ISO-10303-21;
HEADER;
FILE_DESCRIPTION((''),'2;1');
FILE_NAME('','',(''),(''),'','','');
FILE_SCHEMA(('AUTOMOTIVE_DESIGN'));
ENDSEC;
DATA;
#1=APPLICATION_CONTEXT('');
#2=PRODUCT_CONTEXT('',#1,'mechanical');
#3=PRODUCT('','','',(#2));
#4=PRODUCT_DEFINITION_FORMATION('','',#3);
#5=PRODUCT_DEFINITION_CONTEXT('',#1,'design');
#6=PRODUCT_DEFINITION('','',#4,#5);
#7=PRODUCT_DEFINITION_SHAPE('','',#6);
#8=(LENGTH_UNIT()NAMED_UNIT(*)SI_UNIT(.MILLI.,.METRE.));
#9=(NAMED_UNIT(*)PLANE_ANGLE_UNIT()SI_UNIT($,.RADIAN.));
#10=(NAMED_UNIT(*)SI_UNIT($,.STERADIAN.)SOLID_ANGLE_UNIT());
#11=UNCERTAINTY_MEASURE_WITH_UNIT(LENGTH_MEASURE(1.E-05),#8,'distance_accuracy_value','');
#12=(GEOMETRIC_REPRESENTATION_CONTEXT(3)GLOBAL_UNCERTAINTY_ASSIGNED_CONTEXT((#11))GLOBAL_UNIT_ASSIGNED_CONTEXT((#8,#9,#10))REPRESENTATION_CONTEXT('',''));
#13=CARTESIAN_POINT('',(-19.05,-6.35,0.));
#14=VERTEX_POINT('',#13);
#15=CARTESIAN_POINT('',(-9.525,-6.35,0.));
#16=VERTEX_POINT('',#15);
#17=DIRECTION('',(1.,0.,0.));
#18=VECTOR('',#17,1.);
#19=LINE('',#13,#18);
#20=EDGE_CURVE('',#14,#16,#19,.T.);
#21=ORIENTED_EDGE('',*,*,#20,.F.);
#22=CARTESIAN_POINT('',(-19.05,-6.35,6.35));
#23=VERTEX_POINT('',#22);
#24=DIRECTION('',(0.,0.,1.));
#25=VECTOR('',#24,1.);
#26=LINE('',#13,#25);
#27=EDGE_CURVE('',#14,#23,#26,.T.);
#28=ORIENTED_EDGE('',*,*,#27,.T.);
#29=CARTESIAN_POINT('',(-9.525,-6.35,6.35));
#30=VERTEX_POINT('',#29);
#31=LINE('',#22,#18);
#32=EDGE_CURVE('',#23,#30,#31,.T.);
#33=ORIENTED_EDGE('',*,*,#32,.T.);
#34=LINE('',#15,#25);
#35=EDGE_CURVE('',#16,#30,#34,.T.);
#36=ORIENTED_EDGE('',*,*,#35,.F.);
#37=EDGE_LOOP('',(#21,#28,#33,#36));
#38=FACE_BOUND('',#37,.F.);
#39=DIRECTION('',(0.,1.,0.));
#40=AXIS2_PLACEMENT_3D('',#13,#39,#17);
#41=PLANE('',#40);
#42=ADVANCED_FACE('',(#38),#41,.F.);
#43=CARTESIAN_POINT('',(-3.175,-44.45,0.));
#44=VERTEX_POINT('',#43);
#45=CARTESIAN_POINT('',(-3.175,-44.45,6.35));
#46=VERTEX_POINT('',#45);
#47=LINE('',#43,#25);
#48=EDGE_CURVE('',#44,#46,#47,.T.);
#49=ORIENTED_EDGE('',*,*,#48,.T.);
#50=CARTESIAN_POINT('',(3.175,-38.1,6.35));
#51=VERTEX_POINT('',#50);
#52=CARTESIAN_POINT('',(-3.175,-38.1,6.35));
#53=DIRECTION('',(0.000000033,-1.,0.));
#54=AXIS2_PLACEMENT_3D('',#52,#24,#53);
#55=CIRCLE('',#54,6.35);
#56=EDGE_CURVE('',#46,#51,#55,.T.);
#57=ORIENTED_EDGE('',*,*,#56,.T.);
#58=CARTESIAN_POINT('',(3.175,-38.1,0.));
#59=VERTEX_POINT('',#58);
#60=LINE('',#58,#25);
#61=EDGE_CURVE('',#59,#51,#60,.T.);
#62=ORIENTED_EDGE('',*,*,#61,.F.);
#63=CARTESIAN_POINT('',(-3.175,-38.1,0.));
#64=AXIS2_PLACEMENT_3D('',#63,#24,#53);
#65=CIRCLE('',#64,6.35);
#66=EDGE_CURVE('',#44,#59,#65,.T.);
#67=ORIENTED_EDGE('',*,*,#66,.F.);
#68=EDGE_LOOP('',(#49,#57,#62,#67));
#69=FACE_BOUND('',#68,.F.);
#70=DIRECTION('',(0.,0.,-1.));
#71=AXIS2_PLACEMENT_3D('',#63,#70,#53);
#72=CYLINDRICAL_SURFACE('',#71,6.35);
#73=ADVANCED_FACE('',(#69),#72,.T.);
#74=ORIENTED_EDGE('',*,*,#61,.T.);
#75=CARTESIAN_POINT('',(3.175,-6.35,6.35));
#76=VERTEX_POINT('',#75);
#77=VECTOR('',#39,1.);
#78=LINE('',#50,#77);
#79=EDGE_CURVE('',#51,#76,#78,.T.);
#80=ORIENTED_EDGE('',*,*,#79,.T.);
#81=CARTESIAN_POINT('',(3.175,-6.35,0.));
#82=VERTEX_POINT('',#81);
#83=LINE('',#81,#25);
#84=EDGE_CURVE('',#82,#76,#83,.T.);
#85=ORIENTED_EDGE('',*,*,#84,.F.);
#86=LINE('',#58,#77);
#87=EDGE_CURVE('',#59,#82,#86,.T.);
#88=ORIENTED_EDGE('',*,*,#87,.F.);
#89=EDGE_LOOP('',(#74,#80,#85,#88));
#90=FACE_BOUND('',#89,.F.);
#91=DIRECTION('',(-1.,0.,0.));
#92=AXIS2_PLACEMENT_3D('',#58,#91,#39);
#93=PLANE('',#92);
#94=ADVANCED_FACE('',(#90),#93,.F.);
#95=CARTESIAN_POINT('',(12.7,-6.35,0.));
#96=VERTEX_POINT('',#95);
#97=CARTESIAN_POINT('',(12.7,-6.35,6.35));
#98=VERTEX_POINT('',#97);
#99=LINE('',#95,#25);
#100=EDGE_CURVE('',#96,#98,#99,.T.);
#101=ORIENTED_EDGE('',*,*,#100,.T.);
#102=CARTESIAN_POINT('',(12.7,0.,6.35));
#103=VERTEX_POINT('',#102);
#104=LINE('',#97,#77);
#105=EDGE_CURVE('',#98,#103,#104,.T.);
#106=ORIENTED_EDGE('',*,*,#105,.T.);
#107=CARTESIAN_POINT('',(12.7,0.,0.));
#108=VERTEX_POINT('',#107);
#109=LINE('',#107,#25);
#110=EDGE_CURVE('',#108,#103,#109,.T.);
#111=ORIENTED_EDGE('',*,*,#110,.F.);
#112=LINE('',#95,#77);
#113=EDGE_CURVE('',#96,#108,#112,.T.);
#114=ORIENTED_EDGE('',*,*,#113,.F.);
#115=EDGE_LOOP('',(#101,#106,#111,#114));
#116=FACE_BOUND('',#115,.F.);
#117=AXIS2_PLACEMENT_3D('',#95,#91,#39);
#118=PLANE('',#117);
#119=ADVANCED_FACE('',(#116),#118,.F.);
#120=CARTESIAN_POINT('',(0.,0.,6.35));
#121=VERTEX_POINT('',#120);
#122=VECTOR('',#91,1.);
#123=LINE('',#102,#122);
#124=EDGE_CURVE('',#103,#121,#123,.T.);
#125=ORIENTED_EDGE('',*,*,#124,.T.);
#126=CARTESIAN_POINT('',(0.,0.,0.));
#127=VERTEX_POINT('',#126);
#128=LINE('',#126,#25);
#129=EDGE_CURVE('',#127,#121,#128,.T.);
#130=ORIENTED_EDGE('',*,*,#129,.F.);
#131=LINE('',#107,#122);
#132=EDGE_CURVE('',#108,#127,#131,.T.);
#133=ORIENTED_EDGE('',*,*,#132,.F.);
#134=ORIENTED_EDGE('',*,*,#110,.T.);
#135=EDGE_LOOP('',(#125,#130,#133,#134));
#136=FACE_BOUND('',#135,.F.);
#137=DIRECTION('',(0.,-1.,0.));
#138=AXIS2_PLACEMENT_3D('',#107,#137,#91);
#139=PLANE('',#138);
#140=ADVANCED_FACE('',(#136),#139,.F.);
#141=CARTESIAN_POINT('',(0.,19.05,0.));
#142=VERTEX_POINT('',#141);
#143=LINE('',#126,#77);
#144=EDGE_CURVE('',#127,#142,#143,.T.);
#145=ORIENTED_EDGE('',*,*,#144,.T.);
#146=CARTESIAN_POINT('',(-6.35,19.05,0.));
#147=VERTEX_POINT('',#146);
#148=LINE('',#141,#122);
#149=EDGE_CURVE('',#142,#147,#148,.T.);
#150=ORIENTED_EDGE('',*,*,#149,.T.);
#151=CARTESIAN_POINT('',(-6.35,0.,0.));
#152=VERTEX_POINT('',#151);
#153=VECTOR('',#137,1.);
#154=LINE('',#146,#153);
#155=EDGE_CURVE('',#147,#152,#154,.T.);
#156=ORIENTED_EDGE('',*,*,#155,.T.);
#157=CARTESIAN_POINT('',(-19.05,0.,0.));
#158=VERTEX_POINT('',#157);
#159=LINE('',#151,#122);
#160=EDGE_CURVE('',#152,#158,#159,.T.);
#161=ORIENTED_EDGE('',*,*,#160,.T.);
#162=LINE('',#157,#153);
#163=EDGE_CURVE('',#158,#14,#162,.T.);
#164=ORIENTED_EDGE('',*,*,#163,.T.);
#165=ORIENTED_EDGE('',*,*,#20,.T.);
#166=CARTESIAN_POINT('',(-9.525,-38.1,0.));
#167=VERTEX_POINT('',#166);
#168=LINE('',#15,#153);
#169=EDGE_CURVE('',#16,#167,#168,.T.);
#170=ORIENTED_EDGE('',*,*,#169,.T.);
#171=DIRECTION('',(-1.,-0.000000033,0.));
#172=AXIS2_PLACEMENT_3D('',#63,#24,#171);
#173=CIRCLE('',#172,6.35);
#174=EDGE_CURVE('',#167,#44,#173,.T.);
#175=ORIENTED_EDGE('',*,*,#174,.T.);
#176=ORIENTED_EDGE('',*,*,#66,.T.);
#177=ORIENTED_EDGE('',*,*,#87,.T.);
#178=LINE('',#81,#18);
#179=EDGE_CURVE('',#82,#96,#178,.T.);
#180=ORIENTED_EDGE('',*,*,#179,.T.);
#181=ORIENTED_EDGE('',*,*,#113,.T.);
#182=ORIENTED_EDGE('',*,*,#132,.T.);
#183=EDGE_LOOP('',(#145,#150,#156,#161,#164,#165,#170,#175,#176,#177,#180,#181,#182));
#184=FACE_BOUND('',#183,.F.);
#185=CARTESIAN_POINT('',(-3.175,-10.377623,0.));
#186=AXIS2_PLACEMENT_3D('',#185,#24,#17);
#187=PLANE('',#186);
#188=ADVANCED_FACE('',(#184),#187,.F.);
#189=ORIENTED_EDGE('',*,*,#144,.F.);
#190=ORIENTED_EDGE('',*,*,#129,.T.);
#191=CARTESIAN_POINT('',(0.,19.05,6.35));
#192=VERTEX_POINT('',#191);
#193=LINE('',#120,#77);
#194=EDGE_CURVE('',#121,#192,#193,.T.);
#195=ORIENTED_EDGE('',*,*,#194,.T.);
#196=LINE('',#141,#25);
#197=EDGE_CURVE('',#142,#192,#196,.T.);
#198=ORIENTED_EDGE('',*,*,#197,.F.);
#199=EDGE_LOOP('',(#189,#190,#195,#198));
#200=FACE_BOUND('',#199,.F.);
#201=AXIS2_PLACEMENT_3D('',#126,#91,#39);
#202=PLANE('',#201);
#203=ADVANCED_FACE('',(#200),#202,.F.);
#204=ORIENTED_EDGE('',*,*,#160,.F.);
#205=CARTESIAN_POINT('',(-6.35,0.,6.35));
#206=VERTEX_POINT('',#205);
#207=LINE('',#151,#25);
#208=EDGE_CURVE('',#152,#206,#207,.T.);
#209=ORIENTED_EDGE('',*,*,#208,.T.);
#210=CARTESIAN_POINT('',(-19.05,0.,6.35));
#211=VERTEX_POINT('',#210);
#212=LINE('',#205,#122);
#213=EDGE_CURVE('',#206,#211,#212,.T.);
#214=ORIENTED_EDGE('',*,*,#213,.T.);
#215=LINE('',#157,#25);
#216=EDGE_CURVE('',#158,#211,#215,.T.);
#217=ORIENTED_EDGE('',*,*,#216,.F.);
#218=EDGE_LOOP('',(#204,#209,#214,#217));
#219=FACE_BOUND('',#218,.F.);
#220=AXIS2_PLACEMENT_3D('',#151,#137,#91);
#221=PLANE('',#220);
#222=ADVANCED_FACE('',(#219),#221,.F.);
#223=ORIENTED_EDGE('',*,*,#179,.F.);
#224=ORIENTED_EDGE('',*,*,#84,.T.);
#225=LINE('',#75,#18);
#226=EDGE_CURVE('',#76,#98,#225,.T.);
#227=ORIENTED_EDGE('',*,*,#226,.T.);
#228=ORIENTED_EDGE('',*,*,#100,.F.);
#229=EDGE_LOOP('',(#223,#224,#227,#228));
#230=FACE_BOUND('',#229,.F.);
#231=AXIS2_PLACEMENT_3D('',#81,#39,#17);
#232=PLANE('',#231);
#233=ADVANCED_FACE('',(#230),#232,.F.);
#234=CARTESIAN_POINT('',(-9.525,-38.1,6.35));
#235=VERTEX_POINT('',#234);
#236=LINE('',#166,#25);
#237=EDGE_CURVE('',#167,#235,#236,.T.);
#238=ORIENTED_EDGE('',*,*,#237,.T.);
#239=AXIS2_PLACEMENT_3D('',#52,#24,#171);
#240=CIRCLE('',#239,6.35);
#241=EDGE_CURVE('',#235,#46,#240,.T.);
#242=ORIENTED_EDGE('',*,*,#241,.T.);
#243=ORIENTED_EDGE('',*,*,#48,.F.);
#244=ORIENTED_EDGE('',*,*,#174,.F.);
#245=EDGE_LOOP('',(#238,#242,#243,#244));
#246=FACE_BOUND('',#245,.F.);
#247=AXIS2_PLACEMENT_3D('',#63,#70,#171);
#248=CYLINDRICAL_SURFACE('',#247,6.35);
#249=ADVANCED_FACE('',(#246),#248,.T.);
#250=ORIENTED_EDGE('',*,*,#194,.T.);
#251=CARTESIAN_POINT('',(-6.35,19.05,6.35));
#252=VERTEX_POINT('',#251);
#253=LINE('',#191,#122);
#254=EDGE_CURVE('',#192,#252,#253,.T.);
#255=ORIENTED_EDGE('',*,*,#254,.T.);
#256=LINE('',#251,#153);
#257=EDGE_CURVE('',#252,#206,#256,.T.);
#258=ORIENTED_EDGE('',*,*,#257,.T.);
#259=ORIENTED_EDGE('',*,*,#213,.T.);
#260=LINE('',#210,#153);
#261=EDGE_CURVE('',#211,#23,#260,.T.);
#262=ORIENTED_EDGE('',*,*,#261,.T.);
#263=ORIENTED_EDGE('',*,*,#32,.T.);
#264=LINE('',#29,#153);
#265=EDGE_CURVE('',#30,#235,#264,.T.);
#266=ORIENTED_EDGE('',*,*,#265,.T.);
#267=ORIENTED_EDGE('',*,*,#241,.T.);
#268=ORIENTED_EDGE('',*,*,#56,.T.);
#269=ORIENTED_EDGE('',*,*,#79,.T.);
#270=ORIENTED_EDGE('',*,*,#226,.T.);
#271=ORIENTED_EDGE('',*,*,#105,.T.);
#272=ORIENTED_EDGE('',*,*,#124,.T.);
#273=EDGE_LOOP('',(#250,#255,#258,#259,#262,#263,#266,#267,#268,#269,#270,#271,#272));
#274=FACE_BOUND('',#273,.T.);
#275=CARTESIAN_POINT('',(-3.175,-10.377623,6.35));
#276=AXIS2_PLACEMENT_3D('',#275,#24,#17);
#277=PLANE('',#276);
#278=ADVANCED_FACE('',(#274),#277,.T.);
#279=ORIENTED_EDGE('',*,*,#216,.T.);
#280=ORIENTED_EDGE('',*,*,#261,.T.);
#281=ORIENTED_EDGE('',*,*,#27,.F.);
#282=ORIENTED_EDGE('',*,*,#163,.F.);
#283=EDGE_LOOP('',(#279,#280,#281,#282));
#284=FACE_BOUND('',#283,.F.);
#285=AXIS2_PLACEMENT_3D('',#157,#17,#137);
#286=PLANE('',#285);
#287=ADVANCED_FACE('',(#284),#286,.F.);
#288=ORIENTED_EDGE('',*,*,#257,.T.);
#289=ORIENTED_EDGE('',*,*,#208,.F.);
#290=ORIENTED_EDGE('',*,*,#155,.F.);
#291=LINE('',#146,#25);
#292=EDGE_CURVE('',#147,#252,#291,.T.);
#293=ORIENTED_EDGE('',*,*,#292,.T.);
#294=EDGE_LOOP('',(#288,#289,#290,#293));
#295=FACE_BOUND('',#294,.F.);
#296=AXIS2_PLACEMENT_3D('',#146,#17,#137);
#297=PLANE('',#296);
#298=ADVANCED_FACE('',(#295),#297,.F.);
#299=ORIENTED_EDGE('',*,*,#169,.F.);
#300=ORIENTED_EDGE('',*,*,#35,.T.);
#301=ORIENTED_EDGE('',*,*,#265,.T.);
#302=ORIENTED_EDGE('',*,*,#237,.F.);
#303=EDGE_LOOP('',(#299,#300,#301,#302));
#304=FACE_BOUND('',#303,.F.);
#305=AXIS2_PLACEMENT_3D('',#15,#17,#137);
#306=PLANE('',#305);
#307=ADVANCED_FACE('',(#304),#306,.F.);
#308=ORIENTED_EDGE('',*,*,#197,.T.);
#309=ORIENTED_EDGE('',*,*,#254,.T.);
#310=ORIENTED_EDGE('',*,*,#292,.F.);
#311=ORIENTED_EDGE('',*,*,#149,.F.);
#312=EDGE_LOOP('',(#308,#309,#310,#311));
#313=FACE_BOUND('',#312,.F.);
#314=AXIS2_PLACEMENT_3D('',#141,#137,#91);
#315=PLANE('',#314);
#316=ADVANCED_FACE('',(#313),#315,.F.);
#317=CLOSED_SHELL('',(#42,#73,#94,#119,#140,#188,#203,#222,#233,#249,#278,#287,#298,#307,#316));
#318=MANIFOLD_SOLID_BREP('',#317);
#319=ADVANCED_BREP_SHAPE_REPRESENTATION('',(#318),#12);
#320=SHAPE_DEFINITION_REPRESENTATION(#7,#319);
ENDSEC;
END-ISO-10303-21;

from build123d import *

# Parameters (mm, degrees)
F1_DEPTH = 6.35


with BuildPart() as f1:
    # F0 (on Top) → F1 (new body)
    with BuildSketch(Plane.XY):
        with BuildLine():
            Line((0, 0), (0, 19.05))
            Line((0, 19.05), (-6.35, 19.05))
            Line((-6.35, 19.05), (-6.35, 0))
            Line((-6.35, 0), (-19.05, 0))
            Line((-19.05, 0), (-19.05, -6.35))
            Line((-19.05, -6.35), (-9.525, -6.35))
            Line((-9.525, -6.35), (-9.525, -38.1))
            ThreePointArc((-9.525, -38.1), (-7.665128, -42.590128), (-3.175, -44.45))
            ThreePointArc((-3.175, -44.45), (1.315128, -42.590128), (3.175, -38.1))
            Line((3.175, -38.1), (3.175, -6.35))
            Line((3.175, -6.35), (12.7, -6.35))
            Line((12.7, -6.35), (12.7, 0))
            Line((12.7, 0), (0, 0))
        make_face()
    extrude(amount=F1_DEPTH)


solid = f1.part
